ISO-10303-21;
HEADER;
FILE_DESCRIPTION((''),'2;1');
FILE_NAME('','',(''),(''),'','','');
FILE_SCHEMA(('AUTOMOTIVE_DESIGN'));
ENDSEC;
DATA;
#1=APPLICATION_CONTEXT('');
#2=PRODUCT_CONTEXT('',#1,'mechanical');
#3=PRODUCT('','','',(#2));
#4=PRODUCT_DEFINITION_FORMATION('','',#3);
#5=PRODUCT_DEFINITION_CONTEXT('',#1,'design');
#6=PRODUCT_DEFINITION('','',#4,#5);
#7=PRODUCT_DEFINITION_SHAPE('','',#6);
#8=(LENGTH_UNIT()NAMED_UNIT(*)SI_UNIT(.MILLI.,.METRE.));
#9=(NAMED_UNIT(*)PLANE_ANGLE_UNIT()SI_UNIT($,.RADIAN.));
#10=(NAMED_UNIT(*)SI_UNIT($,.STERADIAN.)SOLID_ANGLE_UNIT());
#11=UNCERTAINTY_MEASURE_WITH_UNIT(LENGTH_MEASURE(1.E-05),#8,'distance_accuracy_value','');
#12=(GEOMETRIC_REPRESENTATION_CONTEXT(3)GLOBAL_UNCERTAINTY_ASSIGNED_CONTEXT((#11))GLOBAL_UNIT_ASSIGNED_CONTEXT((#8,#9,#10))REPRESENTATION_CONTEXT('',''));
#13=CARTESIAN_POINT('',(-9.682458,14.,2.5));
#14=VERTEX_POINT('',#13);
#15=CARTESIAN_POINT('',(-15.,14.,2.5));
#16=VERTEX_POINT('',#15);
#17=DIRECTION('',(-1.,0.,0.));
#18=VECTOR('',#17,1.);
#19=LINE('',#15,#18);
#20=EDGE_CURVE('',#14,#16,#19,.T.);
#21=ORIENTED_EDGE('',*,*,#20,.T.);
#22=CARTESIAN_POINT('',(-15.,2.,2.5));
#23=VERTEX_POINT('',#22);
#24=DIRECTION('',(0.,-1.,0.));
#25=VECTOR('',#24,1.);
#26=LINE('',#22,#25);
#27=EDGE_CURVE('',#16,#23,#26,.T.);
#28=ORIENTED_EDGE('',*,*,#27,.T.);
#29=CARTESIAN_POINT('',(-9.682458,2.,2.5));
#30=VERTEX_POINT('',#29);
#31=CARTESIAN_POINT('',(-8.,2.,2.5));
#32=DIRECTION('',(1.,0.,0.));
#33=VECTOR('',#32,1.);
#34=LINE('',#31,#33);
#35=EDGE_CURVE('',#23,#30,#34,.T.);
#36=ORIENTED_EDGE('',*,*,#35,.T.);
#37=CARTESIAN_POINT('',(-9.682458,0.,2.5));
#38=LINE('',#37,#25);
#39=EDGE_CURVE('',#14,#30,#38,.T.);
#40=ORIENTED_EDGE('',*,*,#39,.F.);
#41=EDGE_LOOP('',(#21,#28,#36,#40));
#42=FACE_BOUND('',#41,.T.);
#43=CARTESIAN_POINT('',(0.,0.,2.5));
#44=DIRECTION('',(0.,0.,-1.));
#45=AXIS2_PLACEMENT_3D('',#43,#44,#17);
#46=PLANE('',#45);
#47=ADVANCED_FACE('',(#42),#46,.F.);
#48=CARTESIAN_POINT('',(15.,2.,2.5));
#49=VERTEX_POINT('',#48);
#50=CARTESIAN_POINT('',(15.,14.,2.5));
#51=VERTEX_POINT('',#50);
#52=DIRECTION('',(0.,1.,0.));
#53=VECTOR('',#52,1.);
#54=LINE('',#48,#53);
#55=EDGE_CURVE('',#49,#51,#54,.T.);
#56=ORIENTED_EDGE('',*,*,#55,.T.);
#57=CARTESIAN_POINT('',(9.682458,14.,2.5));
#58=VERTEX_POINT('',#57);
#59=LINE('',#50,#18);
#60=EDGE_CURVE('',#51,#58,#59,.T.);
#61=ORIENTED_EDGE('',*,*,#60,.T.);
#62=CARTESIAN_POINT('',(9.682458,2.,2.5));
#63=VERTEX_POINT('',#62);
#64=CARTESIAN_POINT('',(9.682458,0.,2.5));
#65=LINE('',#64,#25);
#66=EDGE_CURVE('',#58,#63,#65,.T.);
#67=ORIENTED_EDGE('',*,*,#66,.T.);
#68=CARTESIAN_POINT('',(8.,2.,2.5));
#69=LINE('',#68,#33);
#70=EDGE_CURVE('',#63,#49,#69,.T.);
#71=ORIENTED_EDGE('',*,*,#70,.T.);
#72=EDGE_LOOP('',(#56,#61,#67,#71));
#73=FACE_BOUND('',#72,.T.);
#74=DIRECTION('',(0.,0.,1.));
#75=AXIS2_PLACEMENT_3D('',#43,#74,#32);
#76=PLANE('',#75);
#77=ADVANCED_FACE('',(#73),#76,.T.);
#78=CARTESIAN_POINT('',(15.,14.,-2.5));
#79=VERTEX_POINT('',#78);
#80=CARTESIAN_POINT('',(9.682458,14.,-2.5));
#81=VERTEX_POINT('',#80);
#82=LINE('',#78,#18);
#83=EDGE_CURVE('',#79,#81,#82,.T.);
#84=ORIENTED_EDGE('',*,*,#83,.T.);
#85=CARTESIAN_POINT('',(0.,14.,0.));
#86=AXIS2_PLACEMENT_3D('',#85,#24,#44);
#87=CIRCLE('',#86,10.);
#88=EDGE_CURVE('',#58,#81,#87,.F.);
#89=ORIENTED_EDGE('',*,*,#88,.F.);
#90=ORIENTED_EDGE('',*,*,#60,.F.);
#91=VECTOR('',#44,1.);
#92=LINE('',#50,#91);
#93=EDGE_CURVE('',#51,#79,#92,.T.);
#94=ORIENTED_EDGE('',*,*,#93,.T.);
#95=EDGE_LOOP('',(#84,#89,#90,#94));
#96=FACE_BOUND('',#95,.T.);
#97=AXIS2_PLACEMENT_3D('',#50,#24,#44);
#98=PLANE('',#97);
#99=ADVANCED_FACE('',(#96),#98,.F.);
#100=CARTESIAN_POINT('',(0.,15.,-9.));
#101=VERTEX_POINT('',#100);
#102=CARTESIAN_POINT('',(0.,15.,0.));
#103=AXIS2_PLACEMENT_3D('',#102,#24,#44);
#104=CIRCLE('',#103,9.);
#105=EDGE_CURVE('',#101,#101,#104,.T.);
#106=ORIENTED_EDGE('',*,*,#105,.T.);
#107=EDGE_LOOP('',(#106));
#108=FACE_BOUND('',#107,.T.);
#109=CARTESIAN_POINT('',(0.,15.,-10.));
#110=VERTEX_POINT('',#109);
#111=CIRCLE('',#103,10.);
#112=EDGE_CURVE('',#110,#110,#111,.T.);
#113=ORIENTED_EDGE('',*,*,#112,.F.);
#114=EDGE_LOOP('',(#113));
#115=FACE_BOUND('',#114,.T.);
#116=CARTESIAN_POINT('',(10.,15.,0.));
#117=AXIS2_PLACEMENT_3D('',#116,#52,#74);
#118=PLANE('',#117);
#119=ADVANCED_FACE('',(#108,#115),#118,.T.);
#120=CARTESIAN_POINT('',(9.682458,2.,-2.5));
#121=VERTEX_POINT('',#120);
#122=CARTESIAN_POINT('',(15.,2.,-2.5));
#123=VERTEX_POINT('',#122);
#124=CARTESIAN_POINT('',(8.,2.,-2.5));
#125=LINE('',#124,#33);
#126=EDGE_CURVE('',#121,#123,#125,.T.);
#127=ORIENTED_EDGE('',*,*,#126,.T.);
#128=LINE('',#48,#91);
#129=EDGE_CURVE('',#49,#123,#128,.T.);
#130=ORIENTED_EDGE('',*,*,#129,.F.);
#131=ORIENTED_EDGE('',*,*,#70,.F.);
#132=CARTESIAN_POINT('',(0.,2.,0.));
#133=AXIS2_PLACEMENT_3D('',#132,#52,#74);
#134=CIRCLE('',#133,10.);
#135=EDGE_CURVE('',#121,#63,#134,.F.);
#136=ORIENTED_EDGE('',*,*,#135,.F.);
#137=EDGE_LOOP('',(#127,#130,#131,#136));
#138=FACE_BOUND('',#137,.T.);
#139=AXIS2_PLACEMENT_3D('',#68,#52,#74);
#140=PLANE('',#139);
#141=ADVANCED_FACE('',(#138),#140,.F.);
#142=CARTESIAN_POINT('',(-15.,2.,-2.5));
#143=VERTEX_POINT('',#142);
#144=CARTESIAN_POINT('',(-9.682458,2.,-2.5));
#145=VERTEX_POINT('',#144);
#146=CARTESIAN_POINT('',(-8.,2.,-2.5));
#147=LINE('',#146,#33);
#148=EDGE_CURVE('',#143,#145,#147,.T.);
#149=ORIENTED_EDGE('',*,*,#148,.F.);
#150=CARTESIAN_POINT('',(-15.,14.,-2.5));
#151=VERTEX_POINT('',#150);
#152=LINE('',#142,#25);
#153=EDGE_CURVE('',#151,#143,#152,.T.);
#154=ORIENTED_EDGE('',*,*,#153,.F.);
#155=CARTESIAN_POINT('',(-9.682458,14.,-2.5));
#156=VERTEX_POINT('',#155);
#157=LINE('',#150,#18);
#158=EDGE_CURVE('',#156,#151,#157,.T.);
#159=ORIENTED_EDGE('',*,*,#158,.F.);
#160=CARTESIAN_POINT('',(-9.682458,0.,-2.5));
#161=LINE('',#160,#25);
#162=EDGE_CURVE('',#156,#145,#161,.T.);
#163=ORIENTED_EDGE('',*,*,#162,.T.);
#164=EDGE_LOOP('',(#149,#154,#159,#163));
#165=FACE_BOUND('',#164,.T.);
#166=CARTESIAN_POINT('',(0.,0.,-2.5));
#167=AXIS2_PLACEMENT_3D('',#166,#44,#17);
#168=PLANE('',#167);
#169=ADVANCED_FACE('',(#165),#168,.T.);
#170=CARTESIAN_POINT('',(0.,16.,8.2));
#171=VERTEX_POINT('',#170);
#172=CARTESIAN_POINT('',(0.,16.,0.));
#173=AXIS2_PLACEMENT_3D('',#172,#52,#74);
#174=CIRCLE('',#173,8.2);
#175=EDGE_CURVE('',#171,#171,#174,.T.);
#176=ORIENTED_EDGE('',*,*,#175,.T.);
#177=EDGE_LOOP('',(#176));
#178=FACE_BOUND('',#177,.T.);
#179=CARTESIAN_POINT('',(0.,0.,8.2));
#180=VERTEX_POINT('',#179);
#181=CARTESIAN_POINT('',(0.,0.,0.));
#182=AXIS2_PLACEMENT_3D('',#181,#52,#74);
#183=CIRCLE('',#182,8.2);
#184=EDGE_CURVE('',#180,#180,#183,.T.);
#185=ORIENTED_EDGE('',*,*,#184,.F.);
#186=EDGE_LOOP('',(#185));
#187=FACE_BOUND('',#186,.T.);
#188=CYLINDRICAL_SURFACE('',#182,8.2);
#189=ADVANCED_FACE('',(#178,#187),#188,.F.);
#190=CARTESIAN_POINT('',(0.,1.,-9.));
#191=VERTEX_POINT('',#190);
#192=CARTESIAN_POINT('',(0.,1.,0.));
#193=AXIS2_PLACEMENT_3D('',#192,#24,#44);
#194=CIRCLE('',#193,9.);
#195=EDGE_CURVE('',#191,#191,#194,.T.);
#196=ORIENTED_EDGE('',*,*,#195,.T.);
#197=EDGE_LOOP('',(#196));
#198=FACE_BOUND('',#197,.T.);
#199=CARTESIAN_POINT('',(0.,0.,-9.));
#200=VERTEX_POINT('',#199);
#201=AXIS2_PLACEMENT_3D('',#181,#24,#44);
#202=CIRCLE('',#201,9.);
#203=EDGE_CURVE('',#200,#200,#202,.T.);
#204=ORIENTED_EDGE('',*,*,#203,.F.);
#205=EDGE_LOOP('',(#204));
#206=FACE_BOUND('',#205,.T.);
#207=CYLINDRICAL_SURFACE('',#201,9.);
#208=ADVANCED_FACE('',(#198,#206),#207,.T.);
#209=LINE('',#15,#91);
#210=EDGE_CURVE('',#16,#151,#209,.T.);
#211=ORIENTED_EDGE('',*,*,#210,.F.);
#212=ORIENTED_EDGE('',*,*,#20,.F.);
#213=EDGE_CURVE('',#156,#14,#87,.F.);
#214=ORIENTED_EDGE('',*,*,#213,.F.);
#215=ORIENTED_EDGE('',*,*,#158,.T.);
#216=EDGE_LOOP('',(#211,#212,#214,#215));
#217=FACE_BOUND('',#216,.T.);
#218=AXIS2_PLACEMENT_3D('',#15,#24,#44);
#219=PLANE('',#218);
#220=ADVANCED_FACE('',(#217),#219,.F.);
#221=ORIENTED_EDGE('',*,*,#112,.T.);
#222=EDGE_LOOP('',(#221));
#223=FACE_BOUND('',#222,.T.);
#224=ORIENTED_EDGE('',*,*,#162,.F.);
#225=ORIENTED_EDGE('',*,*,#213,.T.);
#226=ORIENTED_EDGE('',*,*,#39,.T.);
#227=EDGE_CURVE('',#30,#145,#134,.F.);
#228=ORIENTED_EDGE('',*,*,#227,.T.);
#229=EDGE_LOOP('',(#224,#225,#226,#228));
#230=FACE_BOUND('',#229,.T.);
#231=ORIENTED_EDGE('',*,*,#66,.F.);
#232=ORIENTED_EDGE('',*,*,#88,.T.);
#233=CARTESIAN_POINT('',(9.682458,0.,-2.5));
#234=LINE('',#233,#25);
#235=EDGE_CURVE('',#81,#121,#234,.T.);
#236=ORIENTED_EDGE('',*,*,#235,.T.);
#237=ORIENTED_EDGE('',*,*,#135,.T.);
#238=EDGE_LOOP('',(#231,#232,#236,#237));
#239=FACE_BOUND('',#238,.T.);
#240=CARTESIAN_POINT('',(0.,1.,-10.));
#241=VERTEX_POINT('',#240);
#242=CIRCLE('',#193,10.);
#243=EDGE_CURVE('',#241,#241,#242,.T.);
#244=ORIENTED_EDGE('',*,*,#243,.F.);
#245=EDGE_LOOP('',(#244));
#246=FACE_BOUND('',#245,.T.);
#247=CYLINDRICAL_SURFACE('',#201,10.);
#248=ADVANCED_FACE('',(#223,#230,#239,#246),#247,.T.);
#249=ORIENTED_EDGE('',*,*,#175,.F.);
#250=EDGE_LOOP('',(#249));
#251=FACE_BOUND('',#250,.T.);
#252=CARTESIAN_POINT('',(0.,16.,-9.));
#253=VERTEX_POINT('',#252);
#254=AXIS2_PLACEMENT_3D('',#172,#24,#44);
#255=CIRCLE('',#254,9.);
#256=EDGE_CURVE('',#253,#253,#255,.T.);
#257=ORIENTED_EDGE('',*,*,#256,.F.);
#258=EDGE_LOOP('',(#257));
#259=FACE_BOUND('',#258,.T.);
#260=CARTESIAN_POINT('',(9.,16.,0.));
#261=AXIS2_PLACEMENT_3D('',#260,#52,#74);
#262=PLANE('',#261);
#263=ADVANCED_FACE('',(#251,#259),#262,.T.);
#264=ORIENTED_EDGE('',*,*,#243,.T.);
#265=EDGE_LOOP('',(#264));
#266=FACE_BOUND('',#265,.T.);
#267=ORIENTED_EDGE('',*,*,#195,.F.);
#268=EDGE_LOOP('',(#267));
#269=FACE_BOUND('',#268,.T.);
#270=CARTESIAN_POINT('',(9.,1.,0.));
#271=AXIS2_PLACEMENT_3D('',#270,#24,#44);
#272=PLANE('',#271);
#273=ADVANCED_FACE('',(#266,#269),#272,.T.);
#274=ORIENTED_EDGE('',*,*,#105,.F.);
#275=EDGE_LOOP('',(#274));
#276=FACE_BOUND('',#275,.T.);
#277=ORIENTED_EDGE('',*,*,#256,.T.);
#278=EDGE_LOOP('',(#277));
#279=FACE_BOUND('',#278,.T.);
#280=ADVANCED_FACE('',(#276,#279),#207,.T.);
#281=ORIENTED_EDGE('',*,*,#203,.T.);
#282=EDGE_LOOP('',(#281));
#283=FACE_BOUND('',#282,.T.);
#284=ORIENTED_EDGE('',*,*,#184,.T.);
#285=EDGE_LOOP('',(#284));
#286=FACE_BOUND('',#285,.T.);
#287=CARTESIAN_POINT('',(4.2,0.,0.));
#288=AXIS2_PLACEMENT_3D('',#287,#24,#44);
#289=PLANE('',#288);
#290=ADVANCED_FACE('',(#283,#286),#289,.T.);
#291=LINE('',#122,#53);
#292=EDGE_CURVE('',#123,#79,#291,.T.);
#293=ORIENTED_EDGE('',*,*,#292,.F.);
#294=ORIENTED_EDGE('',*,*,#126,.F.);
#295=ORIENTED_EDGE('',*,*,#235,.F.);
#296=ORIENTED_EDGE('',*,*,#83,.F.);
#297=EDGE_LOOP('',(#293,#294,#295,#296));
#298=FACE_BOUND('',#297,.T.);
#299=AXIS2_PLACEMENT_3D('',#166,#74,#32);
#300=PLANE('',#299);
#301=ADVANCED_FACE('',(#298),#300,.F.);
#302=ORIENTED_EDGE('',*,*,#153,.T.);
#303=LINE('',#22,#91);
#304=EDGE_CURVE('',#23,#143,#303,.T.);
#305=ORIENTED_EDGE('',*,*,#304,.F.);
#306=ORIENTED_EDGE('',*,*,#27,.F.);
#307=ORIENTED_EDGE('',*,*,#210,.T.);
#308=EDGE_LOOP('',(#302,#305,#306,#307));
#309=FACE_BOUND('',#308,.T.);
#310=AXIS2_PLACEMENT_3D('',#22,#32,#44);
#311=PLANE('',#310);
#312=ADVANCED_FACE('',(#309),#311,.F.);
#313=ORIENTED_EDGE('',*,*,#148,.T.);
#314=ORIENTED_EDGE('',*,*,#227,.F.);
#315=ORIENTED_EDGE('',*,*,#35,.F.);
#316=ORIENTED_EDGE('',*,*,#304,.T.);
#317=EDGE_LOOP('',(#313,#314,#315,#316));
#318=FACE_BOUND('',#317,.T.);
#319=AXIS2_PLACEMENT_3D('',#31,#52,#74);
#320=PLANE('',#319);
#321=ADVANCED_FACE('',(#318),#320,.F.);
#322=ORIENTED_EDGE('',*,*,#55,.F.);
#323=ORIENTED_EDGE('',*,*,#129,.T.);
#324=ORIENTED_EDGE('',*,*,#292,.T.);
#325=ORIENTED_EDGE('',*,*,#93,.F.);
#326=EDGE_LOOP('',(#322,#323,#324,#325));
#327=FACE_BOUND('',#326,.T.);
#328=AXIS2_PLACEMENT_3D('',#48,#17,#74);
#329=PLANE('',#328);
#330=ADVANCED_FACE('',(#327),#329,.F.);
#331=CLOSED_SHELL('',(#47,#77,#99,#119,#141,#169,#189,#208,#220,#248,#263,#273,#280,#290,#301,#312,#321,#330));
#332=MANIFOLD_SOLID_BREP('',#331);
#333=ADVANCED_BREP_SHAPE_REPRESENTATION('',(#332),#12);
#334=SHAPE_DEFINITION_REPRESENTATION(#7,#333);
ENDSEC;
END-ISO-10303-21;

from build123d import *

# Parameters (mm, degrees)
SKETCH_3_W              = 7
SKETCH_3_H              = 12
CONTINUOUS_TONGUE_DEPTH = 5
SKETCH_4_W              = 7
SKETCH_4_H              = 12
EXTRUDE_2_DEPTH         = 5
SKETCH_5_R              = 8.2
D16_CLEARANCE_DEPTH     = 25.103941586


with BuildPart() as part:
    # 草图1 → Round_nut (revolve)
    with BuildSketch(Plane.XY, mode=Mode.PRIVATE) as round_nut_sk:
        Polygon((4.2, 0), (9, 0), (9, 1), (10, 1), (10, 15), (9, 15), (9, 16), (4.2, 16), align=None)
    revolve(round_nut_sk.sketch.rotate(Axis((0, 0, 0), (0, 1, 0)), 90), axis=Axis((0, 0, 0), (0, 1, 0)))

    # 草图3 → Continuous_tongue (add)
    with BuildSketch(Plane.XY.offset(-2.5)):
        with Locations((-11.5, 8)):
            Rectangle(SKETCH_3_W, SKETCH_3_H)
    extrude(amount=CONTINUOUS_TONGUE_DEPTH)

    # 草图4 → 凸台-拉伸2 (add)
    with BuildSketch(Plane.XY.offset(-2.5)):
        with Locations((11.5, 8)):
            Rectangle(SKETCH_4_W, SKETCH_4_H)
    extrude(amount=EXTRUDE_2_DEPTH)

    # 草图5 → D16_clearance (cut, through all)
    with BuildSketch(Plane(origin=(0, 16, 0), x_dir=(1, 0, 0), z_dir=(0, 1, 0))):
        with Locations(Location((0, 0, 0), (0, 0, 270))):
            Circle(SKETCH_5_R)
    extrude(amount=-D16_CLEARANCE_DEPTH, mode=Mode.SUBTRACT)


solid = part.part
